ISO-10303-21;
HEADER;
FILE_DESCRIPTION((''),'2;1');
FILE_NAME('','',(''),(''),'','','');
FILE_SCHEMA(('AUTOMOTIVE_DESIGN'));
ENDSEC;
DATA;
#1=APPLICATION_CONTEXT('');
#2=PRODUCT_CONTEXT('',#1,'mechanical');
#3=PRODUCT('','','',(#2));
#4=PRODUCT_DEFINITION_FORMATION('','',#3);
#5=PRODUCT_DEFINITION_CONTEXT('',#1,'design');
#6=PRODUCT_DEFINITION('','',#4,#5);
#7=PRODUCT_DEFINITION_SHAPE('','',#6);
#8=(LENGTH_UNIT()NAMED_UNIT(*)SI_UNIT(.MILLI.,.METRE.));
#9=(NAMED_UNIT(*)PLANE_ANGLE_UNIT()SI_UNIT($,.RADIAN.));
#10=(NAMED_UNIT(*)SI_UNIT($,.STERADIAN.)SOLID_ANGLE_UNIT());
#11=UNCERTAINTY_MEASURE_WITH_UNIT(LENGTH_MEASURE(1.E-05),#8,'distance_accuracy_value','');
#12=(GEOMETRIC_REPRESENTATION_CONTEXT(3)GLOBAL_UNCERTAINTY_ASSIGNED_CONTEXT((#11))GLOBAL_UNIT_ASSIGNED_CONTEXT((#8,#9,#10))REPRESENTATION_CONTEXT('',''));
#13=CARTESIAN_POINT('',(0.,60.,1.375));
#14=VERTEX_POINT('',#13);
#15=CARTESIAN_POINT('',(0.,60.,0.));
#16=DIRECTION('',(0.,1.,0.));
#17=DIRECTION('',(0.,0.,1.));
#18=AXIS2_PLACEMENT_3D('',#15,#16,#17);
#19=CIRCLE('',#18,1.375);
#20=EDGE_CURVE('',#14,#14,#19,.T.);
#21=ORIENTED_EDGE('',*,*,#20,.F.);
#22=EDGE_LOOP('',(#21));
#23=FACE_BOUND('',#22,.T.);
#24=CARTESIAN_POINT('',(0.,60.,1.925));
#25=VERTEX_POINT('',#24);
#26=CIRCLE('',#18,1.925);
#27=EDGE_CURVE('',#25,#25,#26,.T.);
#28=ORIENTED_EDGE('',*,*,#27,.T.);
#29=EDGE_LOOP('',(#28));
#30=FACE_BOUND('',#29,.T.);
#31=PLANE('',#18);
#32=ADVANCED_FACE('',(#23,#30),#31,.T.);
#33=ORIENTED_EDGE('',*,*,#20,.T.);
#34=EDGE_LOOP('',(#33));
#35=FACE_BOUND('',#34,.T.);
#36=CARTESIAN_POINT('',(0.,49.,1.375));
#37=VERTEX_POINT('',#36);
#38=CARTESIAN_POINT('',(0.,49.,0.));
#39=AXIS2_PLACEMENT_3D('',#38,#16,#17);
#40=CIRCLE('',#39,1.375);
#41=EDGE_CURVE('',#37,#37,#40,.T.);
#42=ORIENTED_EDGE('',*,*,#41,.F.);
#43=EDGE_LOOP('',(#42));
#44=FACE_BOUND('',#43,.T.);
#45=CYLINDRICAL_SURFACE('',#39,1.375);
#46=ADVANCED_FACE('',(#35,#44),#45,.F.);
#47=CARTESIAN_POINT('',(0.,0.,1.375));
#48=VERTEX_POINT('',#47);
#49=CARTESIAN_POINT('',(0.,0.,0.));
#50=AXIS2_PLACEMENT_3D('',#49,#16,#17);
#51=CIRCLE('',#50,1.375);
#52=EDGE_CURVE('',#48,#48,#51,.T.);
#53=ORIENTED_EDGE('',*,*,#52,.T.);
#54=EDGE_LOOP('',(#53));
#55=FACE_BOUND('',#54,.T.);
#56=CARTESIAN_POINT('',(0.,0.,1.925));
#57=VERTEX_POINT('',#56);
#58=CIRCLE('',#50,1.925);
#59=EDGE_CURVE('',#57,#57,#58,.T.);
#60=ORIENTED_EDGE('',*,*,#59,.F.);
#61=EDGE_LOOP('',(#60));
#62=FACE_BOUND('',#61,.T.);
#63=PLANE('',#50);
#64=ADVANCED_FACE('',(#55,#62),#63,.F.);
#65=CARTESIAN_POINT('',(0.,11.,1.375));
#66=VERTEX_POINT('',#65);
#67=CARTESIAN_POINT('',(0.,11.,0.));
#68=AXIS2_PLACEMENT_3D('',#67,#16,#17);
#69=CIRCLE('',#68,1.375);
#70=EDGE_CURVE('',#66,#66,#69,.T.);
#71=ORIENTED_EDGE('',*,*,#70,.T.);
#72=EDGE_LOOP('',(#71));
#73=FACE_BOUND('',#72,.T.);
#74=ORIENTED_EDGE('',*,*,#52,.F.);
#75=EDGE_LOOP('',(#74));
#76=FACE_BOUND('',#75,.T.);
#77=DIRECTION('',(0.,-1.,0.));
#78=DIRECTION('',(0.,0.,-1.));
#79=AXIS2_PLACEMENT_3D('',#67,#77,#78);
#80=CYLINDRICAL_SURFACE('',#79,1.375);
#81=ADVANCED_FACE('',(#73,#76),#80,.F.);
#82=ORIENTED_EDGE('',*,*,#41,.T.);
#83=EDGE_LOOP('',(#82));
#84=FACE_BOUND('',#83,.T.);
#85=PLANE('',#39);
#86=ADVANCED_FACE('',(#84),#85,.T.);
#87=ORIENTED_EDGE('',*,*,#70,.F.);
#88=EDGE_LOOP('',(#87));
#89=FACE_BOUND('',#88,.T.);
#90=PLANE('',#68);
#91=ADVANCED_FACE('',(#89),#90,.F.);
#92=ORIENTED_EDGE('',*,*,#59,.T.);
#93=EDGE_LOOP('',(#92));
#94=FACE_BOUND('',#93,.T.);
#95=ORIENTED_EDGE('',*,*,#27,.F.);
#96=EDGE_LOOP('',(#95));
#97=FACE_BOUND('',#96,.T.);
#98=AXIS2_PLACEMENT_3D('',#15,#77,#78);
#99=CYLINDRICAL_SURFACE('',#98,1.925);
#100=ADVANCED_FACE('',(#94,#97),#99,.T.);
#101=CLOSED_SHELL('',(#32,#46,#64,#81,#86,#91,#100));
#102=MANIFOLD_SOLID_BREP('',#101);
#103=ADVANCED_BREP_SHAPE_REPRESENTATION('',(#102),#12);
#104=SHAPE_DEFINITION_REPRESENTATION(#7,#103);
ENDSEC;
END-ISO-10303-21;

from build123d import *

# Parameters (mm, degrees)
SKETCH1_R           = 1.925
BOSS_EXTRUDE1_DEPTH = 60
SKETCH2_R           = 1.375
CUT_EXTRUDE1_DEPTH  = 11
CUT_EXTRUDE2_START  = -49
SKETCH2_2_R         = 1.375
CUT_EXTRUDE2_DEPTH  = 11


with BuildPart() as part:
    # Sketch1 → Boss-Extrude1 (new body)
    with BuildSketch(Plane(origin=(0, 0, 0), x_dir=(1, 0, 0), z_dir=(0, 1, 0))):
        with Locations(Location((0, 0, 0), (0, 0, 270))):
            Circle(SKETCH1_R)
    extrude(amount=BOSS_EXTRUDE1_DEPTH)

    # Sketch2 → Cut-Extrude1 (cut)
    with BuildSketch(Plane(origin=(0, 60, 0), x_dir=(1, 0, 0), z_dir=(0, 1, 0))):
        with Locations(Location((0, 0, 0), (0, 0, 270))):
            Circle(SKETCH2_R)
    extrude(amount=-CUT_EXTRUDE1_DEPTH, mode=Mode.SUBTRACT)

    # Sketch2<2> → Cut-Extrude2 (cut)
    with BuildSketch(Plane(origin=(0, 60, 0), x_dir=(1, 0, 0), z_dir=(0, 1, 0)).offset(CUT_EXTRUDE2_START)):
        with Locations(Location((0, 0, 0), (0, 0, 270))):
            Circle(SKETCH2_2_R)
    extrude(amount=-CUT_EXTRUDE2_DEPTH, mode=Mode.SUBTRACT)


solid = part.part
